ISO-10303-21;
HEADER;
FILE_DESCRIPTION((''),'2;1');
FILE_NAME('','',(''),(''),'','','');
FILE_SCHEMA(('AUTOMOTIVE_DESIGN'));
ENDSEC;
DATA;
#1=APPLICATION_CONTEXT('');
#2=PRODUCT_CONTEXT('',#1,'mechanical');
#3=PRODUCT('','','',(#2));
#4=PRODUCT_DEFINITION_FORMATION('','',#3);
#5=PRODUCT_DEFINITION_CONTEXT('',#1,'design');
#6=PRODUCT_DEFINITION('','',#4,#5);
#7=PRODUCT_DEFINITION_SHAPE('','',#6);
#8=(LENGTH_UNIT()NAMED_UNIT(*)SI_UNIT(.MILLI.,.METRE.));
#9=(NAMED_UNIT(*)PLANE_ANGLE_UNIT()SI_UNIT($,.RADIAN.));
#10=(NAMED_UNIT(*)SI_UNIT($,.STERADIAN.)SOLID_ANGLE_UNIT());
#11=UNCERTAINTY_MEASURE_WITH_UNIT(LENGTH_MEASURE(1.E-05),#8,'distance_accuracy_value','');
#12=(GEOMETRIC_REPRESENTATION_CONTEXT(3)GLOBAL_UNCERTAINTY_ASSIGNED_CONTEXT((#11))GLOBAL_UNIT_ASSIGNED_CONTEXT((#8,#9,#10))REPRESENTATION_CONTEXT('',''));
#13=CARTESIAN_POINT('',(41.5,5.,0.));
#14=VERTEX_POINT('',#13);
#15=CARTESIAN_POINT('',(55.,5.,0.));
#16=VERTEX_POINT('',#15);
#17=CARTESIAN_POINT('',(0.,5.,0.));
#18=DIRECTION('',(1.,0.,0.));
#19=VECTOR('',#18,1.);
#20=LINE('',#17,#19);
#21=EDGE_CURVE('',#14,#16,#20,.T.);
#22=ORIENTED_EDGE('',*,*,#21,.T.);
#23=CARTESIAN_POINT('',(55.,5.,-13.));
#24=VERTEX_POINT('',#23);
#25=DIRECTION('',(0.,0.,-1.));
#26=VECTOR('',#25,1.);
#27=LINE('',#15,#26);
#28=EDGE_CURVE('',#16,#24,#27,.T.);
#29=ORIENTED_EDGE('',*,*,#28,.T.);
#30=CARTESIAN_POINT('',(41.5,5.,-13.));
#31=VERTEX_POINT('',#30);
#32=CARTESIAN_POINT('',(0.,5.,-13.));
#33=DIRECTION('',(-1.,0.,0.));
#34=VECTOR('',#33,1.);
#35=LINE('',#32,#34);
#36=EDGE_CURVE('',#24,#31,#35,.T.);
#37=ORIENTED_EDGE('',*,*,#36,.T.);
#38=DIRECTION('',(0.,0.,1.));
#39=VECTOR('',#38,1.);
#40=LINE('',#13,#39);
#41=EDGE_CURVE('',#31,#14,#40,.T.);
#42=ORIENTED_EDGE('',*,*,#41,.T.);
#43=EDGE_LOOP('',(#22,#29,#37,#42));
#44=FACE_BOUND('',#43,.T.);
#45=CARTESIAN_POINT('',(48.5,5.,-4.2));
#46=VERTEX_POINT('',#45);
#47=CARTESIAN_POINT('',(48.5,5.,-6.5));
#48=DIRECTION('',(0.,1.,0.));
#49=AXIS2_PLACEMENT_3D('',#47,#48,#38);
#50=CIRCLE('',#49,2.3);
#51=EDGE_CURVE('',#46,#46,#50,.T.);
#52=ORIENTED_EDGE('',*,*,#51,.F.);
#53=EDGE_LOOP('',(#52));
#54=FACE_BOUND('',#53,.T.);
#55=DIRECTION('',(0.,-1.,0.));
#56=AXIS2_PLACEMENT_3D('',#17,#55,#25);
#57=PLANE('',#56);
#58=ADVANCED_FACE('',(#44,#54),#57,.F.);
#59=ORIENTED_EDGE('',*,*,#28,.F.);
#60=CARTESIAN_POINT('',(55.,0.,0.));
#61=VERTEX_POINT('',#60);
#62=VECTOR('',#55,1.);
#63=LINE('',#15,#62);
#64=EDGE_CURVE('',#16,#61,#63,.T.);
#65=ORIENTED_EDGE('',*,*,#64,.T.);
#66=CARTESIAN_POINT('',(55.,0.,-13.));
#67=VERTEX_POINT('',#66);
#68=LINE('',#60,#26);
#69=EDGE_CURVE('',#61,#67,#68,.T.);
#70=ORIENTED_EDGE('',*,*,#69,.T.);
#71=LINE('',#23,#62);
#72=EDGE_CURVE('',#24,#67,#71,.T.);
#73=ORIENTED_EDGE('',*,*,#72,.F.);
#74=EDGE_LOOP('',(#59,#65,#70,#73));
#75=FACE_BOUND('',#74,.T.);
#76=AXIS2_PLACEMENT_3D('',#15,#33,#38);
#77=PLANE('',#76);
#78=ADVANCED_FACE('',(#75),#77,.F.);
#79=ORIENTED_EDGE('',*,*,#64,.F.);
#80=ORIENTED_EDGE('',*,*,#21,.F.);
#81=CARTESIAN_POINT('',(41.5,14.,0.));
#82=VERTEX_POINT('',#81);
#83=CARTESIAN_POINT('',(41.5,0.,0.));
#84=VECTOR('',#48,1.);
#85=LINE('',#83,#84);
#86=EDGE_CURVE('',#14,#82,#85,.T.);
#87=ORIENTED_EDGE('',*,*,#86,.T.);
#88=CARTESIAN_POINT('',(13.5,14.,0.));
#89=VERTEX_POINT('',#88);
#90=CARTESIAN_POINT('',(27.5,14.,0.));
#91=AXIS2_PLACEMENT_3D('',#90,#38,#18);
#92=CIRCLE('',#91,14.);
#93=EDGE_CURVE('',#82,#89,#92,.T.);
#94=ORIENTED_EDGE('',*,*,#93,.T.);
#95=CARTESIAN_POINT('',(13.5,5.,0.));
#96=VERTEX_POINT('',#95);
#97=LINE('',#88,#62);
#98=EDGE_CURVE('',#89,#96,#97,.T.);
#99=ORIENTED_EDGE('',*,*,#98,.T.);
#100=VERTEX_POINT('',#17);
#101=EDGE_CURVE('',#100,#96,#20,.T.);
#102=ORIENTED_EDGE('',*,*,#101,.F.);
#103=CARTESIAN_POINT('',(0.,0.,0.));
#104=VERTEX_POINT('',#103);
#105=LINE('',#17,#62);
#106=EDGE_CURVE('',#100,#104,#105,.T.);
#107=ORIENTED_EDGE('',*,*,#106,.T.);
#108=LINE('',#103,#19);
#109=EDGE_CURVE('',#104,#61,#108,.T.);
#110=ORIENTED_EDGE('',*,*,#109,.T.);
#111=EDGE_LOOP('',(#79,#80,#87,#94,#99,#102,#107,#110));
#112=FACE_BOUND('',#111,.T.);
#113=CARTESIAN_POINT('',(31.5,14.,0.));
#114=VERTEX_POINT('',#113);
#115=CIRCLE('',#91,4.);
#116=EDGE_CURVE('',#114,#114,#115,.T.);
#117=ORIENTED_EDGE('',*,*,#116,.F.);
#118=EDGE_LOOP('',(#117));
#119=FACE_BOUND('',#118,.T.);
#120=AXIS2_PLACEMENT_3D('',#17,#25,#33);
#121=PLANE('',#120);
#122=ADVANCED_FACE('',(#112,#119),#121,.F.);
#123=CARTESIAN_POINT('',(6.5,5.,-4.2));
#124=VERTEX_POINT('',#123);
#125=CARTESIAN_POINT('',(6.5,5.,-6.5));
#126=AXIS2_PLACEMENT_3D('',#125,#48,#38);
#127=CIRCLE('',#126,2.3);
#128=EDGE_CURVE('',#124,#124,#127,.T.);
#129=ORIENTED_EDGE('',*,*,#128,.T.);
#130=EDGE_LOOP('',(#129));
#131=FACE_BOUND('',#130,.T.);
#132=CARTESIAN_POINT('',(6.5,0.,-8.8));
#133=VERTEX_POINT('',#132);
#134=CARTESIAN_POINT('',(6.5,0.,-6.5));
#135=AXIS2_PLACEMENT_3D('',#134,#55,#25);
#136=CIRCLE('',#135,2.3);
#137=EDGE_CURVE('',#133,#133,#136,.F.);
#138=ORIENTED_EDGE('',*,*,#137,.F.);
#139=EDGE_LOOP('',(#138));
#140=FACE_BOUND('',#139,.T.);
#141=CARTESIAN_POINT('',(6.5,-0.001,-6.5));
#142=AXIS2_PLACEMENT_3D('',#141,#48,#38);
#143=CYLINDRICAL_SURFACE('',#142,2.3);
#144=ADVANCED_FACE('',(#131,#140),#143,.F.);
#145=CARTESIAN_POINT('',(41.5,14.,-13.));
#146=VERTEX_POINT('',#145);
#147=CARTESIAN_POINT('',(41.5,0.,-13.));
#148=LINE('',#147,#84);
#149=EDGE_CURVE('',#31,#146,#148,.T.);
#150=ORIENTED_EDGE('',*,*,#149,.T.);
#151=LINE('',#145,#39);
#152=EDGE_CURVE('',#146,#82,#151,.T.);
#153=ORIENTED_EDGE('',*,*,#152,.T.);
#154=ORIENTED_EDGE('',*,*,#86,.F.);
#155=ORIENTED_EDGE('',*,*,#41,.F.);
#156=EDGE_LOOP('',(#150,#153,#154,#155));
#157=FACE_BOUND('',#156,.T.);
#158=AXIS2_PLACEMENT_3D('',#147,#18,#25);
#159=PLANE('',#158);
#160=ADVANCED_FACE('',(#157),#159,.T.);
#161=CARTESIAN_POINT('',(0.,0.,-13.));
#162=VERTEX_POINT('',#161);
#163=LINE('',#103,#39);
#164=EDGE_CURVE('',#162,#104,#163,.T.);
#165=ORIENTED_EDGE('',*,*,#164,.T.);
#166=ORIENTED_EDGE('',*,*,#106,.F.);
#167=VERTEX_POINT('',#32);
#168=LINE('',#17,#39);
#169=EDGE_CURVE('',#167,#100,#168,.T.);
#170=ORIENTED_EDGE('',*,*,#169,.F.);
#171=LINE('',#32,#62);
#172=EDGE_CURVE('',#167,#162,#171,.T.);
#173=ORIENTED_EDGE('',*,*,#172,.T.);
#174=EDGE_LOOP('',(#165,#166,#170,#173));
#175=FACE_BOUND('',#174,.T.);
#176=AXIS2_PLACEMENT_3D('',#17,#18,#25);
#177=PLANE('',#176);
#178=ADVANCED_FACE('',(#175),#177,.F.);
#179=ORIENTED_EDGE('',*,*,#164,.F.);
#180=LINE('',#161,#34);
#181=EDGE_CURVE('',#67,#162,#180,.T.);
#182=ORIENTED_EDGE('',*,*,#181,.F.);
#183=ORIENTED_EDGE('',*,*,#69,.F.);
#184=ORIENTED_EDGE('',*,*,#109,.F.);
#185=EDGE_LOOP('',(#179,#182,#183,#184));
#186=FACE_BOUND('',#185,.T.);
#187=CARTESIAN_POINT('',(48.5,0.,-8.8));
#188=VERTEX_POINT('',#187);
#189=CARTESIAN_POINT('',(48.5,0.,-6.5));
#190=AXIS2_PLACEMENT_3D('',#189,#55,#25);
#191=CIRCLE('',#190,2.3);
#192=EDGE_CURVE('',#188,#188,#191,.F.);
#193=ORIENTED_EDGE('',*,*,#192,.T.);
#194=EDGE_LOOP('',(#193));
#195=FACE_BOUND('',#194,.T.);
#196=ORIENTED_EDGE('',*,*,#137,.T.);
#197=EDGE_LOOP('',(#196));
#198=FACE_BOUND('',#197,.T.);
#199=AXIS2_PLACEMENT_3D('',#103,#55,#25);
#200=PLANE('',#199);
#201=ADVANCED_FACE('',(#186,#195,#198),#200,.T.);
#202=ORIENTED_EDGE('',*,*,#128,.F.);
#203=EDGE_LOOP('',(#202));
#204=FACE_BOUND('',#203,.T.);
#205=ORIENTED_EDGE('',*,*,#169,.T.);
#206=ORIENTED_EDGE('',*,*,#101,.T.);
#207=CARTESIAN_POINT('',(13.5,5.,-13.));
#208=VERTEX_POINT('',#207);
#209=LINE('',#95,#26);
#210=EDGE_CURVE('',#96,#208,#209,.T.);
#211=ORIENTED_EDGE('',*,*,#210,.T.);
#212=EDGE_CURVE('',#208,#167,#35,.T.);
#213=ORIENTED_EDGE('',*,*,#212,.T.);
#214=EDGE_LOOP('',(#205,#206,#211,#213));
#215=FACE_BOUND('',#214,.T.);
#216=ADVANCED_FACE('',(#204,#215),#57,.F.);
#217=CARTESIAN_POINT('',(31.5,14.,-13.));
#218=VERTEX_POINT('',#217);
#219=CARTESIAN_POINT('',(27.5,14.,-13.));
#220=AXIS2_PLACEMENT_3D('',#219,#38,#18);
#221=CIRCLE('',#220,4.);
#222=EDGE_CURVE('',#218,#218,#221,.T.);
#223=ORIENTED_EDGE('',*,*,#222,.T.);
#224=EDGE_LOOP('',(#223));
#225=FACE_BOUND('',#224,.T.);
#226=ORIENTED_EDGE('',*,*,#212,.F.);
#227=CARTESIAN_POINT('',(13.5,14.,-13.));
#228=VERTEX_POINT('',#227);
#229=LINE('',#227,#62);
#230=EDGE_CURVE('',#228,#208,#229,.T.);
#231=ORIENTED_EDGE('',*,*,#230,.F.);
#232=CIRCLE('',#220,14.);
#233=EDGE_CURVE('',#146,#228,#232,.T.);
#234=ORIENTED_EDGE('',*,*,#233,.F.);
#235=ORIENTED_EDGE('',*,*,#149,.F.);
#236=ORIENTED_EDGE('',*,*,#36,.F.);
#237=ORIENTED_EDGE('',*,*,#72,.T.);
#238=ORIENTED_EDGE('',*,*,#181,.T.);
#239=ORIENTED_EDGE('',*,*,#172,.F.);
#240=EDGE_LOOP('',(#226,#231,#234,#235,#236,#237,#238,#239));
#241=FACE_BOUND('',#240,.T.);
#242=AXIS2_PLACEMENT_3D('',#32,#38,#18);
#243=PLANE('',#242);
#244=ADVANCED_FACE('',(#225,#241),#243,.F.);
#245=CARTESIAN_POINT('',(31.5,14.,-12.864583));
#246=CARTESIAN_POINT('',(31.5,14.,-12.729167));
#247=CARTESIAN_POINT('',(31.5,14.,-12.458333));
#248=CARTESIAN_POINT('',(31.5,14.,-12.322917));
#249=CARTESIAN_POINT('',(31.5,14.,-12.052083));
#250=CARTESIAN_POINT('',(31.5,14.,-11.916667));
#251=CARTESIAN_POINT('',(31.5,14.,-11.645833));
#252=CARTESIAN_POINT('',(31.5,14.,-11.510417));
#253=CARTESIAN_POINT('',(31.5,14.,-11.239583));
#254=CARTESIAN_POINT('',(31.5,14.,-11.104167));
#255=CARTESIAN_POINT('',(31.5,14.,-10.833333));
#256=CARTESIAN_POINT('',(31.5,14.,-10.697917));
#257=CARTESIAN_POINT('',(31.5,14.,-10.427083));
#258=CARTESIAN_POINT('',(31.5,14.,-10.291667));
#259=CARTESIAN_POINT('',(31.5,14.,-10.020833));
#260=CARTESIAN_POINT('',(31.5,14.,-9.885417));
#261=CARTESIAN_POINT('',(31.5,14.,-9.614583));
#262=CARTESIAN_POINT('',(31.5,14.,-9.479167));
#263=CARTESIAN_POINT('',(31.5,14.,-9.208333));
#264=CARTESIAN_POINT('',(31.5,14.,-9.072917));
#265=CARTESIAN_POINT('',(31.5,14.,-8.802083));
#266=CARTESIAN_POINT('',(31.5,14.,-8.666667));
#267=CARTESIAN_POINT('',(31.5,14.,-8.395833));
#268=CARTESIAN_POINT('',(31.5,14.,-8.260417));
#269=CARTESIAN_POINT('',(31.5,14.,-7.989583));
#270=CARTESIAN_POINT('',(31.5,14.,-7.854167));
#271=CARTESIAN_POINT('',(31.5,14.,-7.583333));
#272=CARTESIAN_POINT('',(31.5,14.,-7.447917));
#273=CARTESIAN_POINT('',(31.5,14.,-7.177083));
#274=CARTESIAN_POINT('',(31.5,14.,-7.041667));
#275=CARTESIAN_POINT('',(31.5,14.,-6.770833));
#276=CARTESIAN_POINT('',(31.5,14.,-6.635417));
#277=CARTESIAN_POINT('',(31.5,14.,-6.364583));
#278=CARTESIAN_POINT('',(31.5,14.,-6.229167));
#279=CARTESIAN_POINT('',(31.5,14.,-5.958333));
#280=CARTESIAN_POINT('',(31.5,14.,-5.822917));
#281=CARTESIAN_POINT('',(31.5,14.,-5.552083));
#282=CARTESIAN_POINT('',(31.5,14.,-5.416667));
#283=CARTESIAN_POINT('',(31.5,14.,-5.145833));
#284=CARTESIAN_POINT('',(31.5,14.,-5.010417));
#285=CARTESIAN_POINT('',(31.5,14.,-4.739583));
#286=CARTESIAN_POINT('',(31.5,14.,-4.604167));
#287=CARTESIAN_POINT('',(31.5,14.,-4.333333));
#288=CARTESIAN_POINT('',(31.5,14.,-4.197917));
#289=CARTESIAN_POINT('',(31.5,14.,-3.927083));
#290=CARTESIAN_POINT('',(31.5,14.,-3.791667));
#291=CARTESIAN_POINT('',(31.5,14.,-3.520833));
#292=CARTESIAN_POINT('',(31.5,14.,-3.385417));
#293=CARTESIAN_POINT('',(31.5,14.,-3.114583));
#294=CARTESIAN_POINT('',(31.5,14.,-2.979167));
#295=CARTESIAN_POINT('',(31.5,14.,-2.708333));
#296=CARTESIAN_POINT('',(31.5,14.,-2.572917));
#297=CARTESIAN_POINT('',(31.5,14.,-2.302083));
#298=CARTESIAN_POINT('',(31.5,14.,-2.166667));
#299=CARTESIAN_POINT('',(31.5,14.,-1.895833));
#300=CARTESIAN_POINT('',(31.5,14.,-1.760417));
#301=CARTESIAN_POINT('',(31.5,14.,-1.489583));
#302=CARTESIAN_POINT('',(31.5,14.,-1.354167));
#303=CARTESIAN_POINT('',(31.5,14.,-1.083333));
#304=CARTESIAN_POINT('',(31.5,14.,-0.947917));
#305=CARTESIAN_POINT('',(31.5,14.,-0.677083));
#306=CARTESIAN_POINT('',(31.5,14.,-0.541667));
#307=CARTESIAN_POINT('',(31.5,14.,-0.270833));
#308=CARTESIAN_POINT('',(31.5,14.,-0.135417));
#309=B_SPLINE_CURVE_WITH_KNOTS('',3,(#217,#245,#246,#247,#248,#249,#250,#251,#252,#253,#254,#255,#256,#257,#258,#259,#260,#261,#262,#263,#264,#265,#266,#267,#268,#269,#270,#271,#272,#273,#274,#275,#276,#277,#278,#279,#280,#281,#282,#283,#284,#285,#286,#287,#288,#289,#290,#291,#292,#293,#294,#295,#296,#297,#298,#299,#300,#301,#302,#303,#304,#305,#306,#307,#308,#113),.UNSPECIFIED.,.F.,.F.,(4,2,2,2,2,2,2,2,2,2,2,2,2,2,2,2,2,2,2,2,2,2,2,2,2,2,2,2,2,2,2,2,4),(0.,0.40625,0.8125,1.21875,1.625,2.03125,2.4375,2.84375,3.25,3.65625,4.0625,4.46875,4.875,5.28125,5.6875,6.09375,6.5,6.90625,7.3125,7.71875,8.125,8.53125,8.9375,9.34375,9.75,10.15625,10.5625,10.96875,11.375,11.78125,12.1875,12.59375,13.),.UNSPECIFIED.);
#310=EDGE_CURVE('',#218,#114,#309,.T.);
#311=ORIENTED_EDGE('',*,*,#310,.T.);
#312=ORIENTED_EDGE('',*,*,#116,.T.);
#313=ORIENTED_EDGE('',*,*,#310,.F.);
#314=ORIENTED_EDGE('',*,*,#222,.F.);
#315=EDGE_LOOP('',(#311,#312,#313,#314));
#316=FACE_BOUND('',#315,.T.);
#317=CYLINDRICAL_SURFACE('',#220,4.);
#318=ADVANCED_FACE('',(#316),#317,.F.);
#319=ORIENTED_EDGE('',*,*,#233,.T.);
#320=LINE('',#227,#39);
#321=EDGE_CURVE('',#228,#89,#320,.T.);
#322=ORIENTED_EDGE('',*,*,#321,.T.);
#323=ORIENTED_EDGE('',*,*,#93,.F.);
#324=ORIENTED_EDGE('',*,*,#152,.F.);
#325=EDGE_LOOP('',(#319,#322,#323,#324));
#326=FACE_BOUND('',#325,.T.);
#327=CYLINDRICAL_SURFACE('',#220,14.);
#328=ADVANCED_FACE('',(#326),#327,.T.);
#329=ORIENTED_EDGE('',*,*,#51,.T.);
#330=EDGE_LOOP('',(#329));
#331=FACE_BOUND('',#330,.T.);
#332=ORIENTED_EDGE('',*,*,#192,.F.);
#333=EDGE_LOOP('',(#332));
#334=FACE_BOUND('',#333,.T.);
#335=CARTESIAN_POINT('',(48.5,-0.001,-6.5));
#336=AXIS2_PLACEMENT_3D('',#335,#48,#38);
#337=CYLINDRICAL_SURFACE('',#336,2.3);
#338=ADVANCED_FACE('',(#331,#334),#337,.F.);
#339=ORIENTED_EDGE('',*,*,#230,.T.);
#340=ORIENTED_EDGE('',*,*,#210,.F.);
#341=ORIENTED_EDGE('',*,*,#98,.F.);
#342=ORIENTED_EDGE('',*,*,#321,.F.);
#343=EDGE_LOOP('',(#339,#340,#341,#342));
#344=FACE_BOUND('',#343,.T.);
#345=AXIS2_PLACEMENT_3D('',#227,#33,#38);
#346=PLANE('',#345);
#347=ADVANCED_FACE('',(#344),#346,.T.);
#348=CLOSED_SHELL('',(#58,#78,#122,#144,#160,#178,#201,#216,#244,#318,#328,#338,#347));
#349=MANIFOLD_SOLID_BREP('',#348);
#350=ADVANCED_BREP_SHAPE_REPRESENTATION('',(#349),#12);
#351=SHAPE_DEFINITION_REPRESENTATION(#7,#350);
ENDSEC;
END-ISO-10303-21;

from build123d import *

# Parameters (mm, degrees)
SKETCH1_W           = 55
SKETCH1_H           = 13
BOSS_EXTRUDE1_DEPTH = 5
SKETCH2_R           = 4
BOSS_EXTRUDE2_DEPTH = 13
CUT_EXTRUDE1_REACH  = 63.016
SKETCH3_R           = 2.3


with BuildPart() as part:
    # Sketch1 → Boss-Extrude1 (new body)
    with BuildSketch(Plane(origin=(0, 0, 0), x_dir=(1, 0, 0), z_dir=(0, 1, 0))):
        with Locations((27.5, 6.5)):
            Rectangle(SKETCH1_W, SKETCH1_H)
    extrude(amount=BOSS_EXTRUDE1_DEPTH)

    # Sketch2 → Boss-Extrude2 (add)
    with BuildSketch(Plane.XY):
        with BuildLine():
            Line((13.5, 14), (13.5, 0))
            Line((13.5, 0), (41.5, 0))
            Line((41.5, 0), (41.5, 14))
            ThreePointArc((41.5, 14), (27.5, 28), (13.5, 14))
        make_face()
        with Locations((27.5, 14)):
            Circle(SKETCH2_R, mode=Mode.SUBTRACT)
    extrude(amount=-BOSS_EXTRUDE2_DEPTH)

    # Sketch3 → Cut-Extrude1 (cut, up to next)
    with BuildSketch(Plane(origin=(0, 5, 0), x_dir=(1, 0, 0), z_dir=(0, 1, 0)), mode=Mode.PRIVATE) as cut_extrude1_sk1:
        with Locations(Location((48.5, 6.5, 0), (0, 0, 270))):
            Circle(SKETCH3_R)
    cut_extrude1_tool1 = extrude(cut_extrude1_sk1.sketch, amount=-CUT_EXTRUDE1_REACH, mode=Mode.PRIVATE) & part.part
    # Sketch3 → Cut-Extrude1 (cut, up to next)
    with BuildSketch(Plane(origin=(0, 5, 0), x_dir=(1, 0, 0), z_dir=(0, 1, 0)), mode=Mode.PRIVATE) as cut_extrude1_sk2:
        with Locations(Location((6.5, 6.5, 0), (0, 0, 270))):
            Circle(SKETCH3_R)
    cut_extrude1_tool2 = extrude(cut_extrude1_sk2.sketch, amount=-CUT_EXTRUDE1_REACH, mode=Mode.PRIVATE) & part.part
    add(cut_extrude1_tool1.solids().sort_by_distance((48.5, 5, -6.5))[0], mode=Mode.SUBTRACT)
    add(cut_extrude1_tool2.solids().sort_by_distance((6.5, 5, -6.5))[0], mode=Mode.SUBTRACT)


solid = part.part
